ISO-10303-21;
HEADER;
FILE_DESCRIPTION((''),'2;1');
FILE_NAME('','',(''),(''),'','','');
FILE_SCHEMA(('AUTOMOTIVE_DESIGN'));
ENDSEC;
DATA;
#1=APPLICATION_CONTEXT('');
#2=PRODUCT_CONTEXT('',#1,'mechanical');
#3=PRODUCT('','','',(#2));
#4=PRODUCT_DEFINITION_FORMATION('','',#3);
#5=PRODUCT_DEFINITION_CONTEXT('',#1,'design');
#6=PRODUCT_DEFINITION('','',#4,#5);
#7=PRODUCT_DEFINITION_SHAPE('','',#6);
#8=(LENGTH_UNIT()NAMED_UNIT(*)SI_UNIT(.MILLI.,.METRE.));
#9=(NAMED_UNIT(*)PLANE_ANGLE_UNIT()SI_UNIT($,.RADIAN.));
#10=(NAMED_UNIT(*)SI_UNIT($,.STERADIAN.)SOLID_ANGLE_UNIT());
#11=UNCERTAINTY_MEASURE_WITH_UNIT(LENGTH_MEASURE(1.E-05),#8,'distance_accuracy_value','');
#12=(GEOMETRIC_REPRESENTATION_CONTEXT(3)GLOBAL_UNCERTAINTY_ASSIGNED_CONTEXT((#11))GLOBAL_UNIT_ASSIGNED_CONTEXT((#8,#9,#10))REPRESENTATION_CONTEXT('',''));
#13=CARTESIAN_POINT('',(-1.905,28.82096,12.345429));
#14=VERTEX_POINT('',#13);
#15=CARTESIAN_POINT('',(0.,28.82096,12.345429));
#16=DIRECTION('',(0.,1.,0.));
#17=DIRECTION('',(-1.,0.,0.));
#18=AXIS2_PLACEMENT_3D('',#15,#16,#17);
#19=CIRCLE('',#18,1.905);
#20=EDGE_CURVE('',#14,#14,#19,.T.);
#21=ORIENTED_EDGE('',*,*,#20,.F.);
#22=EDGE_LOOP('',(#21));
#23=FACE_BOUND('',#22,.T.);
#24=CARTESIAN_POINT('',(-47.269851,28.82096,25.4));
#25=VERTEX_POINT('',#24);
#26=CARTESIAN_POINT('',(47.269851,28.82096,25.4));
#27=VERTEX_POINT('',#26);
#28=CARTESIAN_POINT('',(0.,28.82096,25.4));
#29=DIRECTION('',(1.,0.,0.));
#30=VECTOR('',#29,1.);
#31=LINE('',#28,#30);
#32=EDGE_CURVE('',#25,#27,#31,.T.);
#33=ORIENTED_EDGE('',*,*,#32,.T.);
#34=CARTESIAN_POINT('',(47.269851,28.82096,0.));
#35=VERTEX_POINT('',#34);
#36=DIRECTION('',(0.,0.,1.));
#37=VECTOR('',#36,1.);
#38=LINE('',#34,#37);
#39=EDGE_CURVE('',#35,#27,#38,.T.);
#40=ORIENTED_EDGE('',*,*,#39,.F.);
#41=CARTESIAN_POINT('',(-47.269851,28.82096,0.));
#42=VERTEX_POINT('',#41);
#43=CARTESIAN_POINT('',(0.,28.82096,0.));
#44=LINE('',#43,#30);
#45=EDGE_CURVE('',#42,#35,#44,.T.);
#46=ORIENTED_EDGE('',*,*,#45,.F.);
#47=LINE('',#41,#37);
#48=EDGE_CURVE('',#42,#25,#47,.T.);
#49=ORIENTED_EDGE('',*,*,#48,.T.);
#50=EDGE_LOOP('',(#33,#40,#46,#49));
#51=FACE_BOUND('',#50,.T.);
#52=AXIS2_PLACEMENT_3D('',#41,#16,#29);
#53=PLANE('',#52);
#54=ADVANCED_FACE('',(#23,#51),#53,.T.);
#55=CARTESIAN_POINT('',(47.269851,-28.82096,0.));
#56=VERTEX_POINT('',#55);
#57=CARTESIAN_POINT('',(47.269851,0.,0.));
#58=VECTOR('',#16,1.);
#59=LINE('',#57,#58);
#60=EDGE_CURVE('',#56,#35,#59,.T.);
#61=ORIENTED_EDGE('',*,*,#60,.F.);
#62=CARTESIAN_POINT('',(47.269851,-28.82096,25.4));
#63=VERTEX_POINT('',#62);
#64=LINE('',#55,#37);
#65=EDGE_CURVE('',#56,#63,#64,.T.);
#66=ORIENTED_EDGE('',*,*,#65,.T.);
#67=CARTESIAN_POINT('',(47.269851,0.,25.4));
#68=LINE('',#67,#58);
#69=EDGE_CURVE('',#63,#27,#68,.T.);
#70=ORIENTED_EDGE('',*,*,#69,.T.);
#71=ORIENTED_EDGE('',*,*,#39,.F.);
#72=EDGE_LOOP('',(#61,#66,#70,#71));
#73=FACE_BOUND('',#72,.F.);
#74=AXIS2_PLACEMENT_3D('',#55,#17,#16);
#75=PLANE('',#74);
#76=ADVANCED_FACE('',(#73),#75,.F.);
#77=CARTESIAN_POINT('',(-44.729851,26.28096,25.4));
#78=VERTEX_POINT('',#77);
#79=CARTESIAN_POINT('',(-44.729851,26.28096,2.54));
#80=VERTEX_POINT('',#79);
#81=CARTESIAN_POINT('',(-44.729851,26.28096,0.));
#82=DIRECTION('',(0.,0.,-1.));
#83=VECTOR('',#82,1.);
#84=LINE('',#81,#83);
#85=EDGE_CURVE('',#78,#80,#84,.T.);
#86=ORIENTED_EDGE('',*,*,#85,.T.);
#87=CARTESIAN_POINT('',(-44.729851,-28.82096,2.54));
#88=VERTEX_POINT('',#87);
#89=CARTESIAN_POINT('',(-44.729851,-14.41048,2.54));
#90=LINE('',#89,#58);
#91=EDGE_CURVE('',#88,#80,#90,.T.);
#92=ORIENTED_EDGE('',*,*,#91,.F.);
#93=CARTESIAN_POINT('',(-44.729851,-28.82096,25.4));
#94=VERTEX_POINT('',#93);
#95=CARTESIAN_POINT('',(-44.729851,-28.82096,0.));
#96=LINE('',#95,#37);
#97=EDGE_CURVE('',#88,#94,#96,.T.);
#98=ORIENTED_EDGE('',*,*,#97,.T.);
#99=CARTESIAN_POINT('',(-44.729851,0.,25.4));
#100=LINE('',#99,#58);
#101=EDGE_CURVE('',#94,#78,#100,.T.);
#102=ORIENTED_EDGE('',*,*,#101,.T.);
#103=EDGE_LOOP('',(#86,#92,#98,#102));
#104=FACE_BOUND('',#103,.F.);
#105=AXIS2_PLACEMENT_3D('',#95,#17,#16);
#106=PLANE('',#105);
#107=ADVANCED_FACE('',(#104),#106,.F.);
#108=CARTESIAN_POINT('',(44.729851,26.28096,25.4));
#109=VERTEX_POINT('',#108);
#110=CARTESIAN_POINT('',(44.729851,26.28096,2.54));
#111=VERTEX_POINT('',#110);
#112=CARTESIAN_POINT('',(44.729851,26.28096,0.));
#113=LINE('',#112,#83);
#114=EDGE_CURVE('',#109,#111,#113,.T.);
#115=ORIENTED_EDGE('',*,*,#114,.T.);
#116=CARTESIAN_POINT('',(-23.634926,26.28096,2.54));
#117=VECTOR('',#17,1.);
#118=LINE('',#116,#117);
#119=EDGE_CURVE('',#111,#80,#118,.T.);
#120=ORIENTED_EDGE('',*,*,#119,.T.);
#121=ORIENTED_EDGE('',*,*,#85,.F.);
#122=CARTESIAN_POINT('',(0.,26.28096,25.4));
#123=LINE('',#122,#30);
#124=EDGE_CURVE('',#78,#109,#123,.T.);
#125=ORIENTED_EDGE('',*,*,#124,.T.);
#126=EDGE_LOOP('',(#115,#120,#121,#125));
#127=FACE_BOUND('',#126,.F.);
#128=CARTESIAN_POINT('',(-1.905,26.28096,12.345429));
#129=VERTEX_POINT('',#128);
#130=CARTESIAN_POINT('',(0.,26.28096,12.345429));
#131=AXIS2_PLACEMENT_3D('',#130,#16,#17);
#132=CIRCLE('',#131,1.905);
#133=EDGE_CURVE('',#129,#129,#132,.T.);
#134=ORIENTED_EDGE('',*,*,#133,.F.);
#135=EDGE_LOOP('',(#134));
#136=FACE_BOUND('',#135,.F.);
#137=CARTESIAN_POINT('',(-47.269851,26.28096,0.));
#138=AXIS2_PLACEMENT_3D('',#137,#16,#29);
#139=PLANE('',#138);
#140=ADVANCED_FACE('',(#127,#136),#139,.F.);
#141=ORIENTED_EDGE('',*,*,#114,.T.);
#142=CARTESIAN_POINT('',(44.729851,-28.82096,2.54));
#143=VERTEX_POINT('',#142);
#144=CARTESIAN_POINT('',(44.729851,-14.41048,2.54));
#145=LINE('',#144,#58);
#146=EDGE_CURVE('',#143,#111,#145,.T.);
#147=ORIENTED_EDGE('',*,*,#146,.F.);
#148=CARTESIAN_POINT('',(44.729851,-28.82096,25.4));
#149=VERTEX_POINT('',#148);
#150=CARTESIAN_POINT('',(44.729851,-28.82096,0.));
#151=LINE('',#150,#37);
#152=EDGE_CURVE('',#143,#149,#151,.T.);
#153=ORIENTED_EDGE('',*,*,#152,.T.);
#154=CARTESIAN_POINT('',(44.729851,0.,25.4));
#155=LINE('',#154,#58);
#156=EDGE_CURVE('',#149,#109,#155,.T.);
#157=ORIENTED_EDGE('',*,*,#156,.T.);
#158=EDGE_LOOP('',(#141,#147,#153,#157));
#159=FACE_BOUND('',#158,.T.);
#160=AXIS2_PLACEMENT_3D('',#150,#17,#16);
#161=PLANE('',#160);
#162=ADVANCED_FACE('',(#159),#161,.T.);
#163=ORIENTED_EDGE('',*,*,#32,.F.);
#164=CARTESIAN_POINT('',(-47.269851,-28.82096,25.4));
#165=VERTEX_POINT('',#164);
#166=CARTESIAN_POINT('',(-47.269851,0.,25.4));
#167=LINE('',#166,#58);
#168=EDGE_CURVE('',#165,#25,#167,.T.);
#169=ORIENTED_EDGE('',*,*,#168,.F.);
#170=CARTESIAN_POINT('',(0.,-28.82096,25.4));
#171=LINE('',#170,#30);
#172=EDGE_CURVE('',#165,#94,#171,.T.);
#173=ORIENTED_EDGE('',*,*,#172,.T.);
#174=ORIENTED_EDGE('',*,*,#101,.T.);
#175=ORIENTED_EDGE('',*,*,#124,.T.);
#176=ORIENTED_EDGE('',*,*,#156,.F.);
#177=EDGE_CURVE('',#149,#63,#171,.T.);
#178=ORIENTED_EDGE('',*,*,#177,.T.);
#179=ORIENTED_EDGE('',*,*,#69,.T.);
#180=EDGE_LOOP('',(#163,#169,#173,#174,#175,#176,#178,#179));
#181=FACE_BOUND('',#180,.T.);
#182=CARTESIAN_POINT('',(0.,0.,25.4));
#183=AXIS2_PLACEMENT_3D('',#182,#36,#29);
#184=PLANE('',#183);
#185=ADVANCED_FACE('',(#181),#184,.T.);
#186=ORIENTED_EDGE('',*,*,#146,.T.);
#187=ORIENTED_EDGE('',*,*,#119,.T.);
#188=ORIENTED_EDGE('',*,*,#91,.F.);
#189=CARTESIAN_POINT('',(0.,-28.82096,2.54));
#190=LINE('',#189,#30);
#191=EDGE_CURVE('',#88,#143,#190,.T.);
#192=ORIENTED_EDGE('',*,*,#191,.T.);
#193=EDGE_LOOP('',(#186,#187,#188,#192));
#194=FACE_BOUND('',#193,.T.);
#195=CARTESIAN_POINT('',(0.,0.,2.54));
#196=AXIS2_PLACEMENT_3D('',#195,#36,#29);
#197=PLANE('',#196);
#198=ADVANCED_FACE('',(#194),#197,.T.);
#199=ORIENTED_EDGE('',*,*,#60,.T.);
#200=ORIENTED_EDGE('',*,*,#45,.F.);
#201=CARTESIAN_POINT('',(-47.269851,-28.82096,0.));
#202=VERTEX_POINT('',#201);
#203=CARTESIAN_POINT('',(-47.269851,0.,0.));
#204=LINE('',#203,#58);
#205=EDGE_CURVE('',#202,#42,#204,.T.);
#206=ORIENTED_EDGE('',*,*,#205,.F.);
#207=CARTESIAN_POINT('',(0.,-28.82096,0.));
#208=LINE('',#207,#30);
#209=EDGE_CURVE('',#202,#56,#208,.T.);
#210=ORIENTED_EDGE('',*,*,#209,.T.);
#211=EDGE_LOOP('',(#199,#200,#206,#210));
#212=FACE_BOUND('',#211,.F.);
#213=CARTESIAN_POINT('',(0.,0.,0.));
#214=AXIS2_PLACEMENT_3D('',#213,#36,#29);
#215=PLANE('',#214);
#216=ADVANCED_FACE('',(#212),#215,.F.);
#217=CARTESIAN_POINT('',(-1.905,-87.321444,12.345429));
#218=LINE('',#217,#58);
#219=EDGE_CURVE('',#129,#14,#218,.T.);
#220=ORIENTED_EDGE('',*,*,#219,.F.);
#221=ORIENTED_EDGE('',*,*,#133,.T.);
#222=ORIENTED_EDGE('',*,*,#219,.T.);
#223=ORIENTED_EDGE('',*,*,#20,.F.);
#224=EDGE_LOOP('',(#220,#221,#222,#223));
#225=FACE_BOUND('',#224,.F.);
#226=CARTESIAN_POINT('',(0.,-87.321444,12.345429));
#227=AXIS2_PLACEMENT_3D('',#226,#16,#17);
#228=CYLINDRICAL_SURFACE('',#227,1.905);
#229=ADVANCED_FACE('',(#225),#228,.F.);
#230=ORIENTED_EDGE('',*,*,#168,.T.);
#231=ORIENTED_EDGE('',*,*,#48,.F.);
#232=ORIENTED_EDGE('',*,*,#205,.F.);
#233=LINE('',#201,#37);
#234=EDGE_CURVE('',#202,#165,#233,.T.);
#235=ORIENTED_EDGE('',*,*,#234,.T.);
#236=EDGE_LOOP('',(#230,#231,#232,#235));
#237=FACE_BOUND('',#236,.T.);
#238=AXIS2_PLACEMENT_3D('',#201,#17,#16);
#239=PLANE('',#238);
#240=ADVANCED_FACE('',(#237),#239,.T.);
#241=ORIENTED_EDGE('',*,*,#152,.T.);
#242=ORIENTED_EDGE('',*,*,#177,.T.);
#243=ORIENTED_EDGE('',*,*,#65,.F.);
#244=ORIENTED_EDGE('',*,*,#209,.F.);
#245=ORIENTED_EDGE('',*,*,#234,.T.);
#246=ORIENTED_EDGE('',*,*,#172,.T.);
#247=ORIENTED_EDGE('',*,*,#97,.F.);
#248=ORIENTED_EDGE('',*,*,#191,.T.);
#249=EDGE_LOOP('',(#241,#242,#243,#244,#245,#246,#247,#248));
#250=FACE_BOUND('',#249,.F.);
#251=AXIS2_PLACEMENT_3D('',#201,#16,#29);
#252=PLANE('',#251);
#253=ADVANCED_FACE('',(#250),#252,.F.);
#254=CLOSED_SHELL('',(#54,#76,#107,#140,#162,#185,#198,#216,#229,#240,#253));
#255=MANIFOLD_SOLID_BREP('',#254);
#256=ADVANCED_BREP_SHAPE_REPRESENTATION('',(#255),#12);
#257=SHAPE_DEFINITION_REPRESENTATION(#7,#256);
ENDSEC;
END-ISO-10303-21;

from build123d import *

# Parameters (mm, degrees)
F0_W     = 94.539702
F0_H     = 57.64192
F1_DEPTH = 25.4
F2_T     = -2.54
F4_D     = 3.81


with BuildPart() as f1:
    # F0 (on Top) → F1 (new body)
    with BuildSketch(Plane.XY):
        Rectangle(F0_W, F0_H)
    extrude(amount=F1_DEPTH)

    # F2
    f2_openings = [f1.faces().sort_by_distance(p)[0] for p in [
        (0, 0, 25.4),
        (0, -28.82096, 12.7),
    ]]
    offset(amount=F2_T, openings=f2_openings)

    # F4 (through all)
    with Locations(Plane.XZ.offset(-26.28096)):
        with Locations((0, 12.345429)):
            Hole(F4_D / 2)


solid = f1.part
